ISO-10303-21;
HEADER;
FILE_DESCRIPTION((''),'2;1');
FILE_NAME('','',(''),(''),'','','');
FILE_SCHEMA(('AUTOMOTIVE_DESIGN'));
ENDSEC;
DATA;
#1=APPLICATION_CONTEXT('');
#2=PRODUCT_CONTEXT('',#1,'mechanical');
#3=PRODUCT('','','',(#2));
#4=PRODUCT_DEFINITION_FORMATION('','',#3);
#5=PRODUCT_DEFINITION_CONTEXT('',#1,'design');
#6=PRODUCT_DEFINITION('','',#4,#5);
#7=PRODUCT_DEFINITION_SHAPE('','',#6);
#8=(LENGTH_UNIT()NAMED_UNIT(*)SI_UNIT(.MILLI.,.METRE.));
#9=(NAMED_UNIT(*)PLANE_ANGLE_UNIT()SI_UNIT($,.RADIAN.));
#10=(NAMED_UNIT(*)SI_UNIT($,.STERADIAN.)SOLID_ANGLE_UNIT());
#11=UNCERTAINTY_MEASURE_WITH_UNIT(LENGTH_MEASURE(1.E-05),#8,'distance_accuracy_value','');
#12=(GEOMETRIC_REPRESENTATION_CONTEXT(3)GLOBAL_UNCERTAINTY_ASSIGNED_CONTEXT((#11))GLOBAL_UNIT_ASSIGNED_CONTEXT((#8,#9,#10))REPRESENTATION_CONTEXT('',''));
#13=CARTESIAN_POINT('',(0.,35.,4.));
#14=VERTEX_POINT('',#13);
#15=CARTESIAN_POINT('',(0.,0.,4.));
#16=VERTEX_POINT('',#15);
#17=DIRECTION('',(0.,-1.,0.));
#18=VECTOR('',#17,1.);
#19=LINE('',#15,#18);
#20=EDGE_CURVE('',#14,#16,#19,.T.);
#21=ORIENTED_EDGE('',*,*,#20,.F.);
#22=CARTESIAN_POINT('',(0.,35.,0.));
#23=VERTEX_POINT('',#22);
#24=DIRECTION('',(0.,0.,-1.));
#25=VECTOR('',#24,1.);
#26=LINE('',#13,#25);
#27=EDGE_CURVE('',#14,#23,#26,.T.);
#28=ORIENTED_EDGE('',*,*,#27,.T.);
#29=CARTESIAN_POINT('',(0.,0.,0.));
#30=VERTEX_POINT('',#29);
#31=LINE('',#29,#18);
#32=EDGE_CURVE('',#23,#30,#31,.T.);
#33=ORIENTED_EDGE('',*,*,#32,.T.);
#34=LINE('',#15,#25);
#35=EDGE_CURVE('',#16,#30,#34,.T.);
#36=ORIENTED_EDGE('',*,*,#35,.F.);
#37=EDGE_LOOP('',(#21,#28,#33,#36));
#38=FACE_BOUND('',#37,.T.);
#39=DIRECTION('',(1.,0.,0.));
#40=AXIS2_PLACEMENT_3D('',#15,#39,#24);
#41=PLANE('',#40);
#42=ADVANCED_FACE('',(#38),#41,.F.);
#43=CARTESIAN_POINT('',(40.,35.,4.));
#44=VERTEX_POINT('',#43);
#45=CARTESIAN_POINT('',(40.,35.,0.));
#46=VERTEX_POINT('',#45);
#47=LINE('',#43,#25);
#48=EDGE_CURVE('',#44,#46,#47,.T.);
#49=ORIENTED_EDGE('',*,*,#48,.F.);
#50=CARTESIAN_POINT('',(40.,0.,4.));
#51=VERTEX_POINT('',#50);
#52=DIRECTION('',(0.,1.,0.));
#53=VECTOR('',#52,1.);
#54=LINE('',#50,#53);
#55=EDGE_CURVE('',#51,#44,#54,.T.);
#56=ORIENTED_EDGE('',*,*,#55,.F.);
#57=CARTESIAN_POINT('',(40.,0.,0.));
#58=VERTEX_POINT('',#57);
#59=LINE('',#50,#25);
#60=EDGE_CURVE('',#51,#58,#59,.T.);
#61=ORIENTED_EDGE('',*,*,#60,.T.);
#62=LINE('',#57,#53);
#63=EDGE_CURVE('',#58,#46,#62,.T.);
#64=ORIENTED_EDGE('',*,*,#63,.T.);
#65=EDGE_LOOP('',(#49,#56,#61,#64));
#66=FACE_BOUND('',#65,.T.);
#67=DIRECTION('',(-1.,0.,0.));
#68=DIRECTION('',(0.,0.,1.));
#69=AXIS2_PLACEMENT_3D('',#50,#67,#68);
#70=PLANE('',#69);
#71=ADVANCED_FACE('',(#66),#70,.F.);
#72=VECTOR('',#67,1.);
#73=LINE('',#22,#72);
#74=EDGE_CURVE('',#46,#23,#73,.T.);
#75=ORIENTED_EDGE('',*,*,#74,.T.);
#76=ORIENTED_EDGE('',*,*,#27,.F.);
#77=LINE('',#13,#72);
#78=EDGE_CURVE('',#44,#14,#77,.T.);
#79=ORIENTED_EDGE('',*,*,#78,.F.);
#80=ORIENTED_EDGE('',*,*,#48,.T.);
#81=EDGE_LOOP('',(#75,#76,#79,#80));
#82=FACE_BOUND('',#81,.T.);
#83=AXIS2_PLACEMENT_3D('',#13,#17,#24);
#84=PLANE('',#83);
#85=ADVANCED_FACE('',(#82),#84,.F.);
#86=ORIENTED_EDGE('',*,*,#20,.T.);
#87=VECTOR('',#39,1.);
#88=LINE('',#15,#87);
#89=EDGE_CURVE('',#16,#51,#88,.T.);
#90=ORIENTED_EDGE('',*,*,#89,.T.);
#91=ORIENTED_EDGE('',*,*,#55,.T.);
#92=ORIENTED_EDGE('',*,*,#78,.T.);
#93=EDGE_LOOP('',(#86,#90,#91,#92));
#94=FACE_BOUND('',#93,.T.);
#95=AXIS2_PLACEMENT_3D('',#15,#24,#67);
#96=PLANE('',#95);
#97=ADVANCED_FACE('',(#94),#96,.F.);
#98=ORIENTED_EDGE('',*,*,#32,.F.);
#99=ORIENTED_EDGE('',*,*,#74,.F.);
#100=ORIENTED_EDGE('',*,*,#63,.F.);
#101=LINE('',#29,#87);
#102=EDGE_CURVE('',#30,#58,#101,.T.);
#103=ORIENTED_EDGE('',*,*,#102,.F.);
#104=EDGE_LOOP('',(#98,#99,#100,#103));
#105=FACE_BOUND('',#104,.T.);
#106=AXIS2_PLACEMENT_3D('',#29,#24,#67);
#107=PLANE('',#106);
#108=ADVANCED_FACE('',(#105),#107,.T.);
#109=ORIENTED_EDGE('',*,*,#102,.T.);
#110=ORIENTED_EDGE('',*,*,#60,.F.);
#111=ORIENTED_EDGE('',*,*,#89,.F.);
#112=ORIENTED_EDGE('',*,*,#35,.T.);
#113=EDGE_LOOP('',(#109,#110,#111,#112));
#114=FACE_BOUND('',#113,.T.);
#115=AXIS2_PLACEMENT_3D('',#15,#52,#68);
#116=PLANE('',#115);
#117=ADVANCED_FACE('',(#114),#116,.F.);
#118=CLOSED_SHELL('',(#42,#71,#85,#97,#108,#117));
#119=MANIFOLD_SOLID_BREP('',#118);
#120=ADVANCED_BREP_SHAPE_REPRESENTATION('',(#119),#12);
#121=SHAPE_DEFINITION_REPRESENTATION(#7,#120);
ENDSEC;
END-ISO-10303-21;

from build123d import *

# Parameters (mm, degrees)
SKETCH1_W     = 40
SKETCH1_H     = 35
PROFILE_DEPTH = 4


with BuildPart() as part:
    # Sketch1 → Profile (new body)
    with BuildSketch(Plane.XY):
        with Locations((20, 17.5)):
            Rectangle(SKETCH1_W, SKETCH1_H)
    extrude(amount=PROFILE_DEPTH)


solid = part.part
